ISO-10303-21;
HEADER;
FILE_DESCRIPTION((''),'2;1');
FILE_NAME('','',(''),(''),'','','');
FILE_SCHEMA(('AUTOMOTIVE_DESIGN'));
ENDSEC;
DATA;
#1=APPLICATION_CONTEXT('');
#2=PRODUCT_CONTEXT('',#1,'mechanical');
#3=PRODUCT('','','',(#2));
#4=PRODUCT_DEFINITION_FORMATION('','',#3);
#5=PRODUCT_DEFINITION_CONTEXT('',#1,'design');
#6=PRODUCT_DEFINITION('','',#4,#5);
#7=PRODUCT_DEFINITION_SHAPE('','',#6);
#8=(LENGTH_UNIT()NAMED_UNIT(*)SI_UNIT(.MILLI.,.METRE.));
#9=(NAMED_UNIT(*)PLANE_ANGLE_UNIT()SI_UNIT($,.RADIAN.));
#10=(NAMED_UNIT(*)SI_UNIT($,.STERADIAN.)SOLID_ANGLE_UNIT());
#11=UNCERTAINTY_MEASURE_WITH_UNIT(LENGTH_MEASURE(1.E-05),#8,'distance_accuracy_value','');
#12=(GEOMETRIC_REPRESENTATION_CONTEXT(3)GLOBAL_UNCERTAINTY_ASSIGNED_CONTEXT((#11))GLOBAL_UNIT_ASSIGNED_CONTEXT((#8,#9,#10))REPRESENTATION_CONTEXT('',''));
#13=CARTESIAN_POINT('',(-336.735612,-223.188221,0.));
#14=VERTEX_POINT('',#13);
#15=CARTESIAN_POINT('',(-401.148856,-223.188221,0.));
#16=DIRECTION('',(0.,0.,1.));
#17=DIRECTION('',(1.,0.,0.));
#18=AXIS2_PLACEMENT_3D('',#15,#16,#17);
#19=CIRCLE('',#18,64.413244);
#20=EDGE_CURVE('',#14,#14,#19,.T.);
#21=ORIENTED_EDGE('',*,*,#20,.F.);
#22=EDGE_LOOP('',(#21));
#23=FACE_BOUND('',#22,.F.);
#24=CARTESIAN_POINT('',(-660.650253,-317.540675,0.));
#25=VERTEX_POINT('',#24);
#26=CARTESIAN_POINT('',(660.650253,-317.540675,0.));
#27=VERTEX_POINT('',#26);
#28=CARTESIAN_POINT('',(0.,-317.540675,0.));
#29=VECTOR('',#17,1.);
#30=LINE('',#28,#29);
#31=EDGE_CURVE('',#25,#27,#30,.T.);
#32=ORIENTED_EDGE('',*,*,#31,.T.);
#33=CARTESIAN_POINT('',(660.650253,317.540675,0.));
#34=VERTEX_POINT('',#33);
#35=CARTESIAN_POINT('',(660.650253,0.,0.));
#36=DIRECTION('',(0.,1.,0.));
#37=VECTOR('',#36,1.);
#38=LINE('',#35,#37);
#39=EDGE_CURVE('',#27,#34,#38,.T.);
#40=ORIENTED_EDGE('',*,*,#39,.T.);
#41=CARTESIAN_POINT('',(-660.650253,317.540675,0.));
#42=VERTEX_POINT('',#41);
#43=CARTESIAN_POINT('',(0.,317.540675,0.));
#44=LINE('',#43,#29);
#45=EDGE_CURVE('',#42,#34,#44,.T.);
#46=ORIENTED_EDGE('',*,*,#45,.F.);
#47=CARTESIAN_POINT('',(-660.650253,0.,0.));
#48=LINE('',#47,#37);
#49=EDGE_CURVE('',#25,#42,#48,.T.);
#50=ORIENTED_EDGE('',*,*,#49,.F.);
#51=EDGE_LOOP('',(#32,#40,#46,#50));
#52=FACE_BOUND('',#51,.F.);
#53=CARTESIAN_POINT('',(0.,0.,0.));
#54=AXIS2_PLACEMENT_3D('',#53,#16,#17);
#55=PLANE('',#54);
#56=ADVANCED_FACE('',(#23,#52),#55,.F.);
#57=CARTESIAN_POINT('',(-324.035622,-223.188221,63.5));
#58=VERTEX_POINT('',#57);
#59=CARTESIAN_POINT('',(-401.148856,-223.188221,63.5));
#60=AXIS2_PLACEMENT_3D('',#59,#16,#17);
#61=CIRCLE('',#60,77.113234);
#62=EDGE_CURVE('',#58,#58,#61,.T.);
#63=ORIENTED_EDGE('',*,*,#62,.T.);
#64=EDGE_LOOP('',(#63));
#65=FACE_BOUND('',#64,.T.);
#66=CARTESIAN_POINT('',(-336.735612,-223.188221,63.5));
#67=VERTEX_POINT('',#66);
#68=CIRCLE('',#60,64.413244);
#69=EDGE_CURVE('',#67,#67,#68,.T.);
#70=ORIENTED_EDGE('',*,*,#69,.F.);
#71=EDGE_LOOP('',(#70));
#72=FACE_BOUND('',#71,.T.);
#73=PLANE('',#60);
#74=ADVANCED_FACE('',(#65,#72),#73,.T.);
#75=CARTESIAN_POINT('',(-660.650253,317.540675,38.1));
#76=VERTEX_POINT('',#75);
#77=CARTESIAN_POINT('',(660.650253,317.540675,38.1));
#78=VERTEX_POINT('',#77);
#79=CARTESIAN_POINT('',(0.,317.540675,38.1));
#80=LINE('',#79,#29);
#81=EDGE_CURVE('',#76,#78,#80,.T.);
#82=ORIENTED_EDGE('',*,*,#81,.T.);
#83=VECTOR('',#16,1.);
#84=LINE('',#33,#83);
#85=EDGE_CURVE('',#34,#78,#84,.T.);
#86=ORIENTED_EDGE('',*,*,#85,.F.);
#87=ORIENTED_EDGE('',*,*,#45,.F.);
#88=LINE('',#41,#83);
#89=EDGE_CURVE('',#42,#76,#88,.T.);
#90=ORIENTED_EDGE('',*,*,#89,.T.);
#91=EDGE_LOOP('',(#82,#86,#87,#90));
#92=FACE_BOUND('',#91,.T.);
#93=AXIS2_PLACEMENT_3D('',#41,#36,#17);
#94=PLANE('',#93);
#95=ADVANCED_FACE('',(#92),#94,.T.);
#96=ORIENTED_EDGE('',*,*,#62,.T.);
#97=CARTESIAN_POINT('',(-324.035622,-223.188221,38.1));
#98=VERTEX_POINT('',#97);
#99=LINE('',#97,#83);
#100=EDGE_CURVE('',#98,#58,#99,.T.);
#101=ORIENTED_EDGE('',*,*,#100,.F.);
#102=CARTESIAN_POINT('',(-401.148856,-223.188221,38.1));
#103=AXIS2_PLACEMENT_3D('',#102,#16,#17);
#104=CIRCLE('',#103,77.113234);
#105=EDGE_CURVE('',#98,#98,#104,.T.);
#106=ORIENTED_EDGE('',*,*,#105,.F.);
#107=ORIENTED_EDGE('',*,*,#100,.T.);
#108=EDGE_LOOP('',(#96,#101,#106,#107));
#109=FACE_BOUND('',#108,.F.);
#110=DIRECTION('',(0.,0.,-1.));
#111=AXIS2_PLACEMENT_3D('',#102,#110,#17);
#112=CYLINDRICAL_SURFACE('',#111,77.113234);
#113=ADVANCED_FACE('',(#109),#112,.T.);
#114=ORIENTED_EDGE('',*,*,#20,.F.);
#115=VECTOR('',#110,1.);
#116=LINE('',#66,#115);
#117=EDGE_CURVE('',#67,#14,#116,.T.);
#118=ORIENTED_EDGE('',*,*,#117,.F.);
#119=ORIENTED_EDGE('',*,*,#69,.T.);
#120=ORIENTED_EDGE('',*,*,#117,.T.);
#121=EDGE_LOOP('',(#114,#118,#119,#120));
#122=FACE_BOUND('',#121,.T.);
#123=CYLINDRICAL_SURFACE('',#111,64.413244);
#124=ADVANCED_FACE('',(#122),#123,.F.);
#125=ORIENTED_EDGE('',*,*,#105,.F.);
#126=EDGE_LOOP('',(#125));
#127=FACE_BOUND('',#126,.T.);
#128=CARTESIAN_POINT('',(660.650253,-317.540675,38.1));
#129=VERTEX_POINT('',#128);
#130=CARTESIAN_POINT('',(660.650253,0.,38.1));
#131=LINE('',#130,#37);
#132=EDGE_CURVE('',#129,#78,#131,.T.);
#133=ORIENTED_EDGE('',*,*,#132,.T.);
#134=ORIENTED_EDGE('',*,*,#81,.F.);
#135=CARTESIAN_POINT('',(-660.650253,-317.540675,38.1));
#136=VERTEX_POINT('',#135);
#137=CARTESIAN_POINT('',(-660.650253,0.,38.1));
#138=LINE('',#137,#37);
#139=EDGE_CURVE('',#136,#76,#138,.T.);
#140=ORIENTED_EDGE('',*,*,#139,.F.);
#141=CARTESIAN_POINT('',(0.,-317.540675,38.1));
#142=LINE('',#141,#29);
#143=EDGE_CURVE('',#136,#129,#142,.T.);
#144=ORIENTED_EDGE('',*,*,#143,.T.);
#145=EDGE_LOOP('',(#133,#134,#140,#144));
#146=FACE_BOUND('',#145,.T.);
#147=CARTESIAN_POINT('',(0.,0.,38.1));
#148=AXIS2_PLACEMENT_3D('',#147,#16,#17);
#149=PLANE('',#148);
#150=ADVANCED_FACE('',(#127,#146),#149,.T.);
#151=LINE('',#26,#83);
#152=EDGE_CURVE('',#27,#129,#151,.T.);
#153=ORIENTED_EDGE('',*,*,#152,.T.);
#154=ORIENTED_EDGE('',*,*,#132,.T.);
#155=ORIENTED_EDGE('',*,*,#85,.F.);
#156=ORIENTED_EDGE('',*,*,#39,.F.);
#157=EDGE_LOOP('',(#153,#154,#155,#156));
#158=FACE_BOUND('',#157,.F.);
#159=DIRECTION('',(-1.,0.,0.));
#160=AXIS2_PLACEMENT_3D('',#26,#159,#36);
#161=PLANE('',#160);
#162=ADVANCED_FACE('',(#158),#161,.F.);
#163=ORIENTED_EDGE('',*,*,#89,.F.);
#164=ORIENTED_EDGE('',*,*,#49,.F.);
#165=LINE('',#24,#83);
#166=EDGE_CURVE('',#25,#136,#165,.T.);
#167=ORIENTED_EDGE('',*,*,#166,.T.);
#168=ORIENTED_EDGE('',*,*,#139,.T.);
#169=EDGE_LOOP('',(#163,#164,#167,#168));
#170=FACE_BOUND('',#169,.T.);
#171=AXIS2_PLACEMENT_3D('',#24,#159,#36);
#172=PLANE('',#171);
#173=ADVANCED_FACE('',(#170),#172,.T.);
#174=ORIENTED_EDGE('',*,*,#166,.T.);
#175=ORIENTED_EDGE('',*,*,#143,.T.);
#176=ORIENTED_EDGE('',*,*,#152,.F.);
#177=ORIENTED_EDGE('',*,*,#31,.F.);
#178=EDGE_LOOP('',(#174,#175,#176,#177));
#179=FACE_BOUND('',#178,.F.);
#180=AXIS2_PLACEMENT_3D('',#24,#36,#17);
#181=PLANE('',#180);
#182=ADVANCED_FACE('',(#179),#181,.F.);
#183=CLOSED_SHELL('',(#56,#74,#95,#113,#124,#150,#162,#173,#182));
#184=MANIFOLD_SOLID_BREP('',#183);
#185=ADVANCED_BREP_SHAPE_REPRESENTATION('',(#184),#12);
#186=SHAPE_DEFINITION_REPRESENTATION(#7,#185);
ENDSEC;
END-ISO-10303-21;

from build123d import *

# Parameters (mm, degrees)
F0_W     = 1321.300506
F0_H     = 635.08135
F0_R     = 64.413244
F1_DEPTH = 38.1
F2_R     = 77.113234
F2_R_2   = 64.413244
F3_DEPTH = 25.4


with BuildPart() as f1:
    # F0 (on Top) → F1 (new body)
    with BuildSketch(Plane.XY):
        Rectangle(F0_W, F0_H)
        with Locations((-401.148856, -223.188221)):
            Circle(F0_R, mode=Mode.SUBTRACT)
    extrude(amount=F1_DEPTH)

    # F2 (on face) → F3 (join)
    with BuildSketch(Plane.XY.offset(38.1)):
        with Locations((-401.148856, -223.188221)):
            Circle(F2_R)
        with Locations((-401.148856, -223.188221)):
            Circle(F2_R_2, mode=Mode.SUBTRACT)
    extrude(amount=F3_DEPTH)


solid = f1.part
